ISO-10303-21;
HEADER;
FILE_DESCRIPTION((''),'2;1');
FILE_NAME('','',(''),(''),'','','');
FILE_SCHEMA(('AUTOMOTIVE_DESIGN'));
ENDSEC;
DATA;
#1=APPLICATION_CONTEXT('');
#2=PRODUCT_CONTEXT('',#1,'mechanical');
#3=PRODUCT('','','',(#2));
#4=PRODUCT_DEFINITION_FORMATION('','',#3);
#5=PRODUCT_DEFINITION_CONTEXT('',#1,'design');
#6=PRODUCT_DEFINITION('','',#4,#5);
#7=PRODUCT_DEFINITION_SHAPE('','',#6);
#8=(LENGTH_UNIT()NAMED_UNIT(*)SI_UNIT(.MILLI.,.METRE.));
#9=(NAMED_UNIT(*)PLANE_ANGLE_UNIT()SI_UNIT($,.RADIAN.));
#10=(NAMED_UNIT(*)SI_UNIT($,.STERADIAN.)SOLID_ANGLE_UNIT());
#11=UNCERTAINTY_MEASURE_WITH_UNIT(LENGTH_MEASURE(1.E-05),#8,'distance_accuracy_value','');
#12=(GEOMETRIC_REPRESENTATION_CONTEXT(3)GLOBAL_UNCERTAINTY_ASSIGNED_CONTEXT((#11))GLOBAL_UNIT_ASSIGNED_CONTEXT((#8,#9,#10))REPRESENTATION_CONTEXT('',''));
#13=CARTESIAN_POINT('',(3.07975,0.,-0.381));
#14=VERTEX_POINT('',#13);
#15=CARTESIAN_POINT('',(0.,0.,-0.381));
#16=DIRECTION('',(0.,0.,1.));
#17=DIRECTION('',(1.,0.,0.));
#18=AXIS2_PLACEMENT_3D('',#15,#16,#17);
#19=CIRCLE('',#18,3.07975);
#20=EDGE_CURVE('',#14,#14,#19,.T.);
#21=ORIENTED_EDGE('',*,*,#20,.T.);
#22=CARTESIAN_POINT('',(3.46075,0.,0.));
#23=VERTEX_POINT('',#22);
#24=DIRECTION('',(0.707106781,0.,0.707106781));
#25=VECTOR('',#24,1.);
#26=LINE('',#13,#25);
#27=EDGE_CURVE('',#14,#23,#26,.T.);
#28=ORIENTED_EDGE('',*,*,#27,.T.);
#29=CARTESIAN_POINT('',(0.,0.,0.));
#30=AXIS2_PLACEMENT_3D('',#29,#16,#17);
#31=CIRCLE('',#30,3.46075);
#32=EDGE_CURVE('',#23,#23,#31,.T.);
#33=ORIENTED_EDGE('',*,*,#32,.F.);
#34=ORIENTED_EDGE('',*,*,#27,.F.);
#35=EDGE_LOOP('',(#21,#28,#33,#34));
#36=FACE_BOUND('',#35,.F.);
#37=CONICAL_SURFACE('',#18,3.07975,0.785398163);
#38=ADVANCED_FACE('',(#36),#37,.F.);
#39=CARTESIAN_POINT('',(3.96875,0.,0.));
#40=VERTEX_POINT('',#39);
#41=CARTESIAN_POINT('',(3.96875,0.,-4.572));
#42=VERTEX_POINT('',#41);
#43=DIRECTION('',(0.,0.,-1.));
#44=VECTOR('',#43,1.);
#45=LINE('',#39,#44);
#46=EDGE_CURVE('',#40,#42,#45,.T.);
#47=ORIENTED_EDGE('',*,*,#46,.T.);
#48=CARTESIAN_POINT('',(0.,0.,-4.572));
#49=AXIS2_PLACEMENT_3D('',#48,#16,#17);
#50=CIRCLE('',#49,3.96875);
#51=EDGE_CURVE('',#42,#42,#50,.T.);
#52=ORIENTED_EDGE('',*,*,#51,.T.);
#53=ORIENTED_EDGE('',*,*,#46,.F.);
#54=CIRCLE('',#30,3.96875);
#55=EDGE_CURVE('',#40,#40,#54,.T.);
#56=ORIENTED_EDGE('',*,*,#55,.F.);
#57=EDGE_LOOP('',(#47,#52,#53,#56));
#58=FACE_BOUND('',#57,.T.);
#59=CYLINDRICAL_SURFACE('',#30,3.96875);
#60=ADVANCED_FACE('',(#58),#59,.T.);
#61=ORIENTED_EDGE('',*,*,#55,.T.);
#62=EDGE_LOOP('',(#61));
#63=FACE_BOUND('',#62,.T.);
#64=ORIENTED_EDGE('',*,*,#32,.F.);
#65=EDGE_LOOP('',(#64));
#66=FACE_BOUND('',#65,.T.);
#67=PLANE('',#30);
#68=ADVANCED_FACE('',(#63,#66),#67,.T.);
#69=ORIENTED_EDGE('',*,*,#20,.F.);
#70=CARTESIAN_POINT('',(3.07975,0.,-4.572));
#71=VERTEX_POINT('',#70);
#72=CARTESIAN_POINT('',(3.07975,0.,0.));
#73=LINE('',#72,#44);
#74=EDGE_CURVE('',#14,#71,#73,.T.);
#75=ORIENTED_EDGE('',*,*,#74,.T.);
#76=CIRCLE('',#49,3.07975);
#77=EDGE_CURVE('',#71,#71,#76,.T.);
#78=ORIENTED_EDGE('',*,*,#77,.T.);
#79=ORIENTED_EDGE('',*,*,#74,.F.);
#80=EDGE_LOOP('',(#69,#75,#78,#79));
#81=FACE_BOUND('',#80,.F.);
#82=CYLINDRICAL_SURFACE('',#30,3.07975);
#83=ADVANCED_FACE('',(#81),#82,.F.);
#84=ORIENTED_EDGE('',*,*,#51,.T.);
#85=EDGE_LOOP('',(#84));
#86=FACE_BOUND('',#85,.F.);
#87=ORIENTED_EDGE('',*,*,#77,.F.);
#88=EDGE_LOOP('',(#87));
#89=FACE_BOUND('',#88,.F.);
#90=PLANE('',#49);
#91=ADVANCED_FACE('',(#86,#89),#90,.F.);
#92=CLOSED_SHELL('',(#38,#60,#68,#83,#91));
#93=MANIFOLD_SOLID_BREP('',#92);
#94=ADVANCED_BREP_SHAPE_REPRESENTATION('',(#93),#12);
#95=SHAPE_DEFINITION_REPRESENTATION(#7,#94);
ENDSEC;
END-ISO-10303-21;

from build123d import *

# Parameters (mm, degrees)
F0_R     = 3.96875
F0_R_2   = 3.07975
F1_DEPTH = 4.572
F2_SIZE  = 0.381


with BuildPart() as f1:
    # F0 (on Top) → F1 (new body)
    with BuildSketch(Plane.XY):
        Circle(F0_R)
        Circle(F0_R_2, mode=Mode.SUBTRACT)
    extrude(amount=-F1_DEPTH)

    # F2
    f2_edges = [f1.edges().sort_by_distance(p)[0] for p in [
        (-3.07975, 0, 0),
    ]]
    chamfer(f2_edges, length=F2_SIZE)


solid = f1.part
